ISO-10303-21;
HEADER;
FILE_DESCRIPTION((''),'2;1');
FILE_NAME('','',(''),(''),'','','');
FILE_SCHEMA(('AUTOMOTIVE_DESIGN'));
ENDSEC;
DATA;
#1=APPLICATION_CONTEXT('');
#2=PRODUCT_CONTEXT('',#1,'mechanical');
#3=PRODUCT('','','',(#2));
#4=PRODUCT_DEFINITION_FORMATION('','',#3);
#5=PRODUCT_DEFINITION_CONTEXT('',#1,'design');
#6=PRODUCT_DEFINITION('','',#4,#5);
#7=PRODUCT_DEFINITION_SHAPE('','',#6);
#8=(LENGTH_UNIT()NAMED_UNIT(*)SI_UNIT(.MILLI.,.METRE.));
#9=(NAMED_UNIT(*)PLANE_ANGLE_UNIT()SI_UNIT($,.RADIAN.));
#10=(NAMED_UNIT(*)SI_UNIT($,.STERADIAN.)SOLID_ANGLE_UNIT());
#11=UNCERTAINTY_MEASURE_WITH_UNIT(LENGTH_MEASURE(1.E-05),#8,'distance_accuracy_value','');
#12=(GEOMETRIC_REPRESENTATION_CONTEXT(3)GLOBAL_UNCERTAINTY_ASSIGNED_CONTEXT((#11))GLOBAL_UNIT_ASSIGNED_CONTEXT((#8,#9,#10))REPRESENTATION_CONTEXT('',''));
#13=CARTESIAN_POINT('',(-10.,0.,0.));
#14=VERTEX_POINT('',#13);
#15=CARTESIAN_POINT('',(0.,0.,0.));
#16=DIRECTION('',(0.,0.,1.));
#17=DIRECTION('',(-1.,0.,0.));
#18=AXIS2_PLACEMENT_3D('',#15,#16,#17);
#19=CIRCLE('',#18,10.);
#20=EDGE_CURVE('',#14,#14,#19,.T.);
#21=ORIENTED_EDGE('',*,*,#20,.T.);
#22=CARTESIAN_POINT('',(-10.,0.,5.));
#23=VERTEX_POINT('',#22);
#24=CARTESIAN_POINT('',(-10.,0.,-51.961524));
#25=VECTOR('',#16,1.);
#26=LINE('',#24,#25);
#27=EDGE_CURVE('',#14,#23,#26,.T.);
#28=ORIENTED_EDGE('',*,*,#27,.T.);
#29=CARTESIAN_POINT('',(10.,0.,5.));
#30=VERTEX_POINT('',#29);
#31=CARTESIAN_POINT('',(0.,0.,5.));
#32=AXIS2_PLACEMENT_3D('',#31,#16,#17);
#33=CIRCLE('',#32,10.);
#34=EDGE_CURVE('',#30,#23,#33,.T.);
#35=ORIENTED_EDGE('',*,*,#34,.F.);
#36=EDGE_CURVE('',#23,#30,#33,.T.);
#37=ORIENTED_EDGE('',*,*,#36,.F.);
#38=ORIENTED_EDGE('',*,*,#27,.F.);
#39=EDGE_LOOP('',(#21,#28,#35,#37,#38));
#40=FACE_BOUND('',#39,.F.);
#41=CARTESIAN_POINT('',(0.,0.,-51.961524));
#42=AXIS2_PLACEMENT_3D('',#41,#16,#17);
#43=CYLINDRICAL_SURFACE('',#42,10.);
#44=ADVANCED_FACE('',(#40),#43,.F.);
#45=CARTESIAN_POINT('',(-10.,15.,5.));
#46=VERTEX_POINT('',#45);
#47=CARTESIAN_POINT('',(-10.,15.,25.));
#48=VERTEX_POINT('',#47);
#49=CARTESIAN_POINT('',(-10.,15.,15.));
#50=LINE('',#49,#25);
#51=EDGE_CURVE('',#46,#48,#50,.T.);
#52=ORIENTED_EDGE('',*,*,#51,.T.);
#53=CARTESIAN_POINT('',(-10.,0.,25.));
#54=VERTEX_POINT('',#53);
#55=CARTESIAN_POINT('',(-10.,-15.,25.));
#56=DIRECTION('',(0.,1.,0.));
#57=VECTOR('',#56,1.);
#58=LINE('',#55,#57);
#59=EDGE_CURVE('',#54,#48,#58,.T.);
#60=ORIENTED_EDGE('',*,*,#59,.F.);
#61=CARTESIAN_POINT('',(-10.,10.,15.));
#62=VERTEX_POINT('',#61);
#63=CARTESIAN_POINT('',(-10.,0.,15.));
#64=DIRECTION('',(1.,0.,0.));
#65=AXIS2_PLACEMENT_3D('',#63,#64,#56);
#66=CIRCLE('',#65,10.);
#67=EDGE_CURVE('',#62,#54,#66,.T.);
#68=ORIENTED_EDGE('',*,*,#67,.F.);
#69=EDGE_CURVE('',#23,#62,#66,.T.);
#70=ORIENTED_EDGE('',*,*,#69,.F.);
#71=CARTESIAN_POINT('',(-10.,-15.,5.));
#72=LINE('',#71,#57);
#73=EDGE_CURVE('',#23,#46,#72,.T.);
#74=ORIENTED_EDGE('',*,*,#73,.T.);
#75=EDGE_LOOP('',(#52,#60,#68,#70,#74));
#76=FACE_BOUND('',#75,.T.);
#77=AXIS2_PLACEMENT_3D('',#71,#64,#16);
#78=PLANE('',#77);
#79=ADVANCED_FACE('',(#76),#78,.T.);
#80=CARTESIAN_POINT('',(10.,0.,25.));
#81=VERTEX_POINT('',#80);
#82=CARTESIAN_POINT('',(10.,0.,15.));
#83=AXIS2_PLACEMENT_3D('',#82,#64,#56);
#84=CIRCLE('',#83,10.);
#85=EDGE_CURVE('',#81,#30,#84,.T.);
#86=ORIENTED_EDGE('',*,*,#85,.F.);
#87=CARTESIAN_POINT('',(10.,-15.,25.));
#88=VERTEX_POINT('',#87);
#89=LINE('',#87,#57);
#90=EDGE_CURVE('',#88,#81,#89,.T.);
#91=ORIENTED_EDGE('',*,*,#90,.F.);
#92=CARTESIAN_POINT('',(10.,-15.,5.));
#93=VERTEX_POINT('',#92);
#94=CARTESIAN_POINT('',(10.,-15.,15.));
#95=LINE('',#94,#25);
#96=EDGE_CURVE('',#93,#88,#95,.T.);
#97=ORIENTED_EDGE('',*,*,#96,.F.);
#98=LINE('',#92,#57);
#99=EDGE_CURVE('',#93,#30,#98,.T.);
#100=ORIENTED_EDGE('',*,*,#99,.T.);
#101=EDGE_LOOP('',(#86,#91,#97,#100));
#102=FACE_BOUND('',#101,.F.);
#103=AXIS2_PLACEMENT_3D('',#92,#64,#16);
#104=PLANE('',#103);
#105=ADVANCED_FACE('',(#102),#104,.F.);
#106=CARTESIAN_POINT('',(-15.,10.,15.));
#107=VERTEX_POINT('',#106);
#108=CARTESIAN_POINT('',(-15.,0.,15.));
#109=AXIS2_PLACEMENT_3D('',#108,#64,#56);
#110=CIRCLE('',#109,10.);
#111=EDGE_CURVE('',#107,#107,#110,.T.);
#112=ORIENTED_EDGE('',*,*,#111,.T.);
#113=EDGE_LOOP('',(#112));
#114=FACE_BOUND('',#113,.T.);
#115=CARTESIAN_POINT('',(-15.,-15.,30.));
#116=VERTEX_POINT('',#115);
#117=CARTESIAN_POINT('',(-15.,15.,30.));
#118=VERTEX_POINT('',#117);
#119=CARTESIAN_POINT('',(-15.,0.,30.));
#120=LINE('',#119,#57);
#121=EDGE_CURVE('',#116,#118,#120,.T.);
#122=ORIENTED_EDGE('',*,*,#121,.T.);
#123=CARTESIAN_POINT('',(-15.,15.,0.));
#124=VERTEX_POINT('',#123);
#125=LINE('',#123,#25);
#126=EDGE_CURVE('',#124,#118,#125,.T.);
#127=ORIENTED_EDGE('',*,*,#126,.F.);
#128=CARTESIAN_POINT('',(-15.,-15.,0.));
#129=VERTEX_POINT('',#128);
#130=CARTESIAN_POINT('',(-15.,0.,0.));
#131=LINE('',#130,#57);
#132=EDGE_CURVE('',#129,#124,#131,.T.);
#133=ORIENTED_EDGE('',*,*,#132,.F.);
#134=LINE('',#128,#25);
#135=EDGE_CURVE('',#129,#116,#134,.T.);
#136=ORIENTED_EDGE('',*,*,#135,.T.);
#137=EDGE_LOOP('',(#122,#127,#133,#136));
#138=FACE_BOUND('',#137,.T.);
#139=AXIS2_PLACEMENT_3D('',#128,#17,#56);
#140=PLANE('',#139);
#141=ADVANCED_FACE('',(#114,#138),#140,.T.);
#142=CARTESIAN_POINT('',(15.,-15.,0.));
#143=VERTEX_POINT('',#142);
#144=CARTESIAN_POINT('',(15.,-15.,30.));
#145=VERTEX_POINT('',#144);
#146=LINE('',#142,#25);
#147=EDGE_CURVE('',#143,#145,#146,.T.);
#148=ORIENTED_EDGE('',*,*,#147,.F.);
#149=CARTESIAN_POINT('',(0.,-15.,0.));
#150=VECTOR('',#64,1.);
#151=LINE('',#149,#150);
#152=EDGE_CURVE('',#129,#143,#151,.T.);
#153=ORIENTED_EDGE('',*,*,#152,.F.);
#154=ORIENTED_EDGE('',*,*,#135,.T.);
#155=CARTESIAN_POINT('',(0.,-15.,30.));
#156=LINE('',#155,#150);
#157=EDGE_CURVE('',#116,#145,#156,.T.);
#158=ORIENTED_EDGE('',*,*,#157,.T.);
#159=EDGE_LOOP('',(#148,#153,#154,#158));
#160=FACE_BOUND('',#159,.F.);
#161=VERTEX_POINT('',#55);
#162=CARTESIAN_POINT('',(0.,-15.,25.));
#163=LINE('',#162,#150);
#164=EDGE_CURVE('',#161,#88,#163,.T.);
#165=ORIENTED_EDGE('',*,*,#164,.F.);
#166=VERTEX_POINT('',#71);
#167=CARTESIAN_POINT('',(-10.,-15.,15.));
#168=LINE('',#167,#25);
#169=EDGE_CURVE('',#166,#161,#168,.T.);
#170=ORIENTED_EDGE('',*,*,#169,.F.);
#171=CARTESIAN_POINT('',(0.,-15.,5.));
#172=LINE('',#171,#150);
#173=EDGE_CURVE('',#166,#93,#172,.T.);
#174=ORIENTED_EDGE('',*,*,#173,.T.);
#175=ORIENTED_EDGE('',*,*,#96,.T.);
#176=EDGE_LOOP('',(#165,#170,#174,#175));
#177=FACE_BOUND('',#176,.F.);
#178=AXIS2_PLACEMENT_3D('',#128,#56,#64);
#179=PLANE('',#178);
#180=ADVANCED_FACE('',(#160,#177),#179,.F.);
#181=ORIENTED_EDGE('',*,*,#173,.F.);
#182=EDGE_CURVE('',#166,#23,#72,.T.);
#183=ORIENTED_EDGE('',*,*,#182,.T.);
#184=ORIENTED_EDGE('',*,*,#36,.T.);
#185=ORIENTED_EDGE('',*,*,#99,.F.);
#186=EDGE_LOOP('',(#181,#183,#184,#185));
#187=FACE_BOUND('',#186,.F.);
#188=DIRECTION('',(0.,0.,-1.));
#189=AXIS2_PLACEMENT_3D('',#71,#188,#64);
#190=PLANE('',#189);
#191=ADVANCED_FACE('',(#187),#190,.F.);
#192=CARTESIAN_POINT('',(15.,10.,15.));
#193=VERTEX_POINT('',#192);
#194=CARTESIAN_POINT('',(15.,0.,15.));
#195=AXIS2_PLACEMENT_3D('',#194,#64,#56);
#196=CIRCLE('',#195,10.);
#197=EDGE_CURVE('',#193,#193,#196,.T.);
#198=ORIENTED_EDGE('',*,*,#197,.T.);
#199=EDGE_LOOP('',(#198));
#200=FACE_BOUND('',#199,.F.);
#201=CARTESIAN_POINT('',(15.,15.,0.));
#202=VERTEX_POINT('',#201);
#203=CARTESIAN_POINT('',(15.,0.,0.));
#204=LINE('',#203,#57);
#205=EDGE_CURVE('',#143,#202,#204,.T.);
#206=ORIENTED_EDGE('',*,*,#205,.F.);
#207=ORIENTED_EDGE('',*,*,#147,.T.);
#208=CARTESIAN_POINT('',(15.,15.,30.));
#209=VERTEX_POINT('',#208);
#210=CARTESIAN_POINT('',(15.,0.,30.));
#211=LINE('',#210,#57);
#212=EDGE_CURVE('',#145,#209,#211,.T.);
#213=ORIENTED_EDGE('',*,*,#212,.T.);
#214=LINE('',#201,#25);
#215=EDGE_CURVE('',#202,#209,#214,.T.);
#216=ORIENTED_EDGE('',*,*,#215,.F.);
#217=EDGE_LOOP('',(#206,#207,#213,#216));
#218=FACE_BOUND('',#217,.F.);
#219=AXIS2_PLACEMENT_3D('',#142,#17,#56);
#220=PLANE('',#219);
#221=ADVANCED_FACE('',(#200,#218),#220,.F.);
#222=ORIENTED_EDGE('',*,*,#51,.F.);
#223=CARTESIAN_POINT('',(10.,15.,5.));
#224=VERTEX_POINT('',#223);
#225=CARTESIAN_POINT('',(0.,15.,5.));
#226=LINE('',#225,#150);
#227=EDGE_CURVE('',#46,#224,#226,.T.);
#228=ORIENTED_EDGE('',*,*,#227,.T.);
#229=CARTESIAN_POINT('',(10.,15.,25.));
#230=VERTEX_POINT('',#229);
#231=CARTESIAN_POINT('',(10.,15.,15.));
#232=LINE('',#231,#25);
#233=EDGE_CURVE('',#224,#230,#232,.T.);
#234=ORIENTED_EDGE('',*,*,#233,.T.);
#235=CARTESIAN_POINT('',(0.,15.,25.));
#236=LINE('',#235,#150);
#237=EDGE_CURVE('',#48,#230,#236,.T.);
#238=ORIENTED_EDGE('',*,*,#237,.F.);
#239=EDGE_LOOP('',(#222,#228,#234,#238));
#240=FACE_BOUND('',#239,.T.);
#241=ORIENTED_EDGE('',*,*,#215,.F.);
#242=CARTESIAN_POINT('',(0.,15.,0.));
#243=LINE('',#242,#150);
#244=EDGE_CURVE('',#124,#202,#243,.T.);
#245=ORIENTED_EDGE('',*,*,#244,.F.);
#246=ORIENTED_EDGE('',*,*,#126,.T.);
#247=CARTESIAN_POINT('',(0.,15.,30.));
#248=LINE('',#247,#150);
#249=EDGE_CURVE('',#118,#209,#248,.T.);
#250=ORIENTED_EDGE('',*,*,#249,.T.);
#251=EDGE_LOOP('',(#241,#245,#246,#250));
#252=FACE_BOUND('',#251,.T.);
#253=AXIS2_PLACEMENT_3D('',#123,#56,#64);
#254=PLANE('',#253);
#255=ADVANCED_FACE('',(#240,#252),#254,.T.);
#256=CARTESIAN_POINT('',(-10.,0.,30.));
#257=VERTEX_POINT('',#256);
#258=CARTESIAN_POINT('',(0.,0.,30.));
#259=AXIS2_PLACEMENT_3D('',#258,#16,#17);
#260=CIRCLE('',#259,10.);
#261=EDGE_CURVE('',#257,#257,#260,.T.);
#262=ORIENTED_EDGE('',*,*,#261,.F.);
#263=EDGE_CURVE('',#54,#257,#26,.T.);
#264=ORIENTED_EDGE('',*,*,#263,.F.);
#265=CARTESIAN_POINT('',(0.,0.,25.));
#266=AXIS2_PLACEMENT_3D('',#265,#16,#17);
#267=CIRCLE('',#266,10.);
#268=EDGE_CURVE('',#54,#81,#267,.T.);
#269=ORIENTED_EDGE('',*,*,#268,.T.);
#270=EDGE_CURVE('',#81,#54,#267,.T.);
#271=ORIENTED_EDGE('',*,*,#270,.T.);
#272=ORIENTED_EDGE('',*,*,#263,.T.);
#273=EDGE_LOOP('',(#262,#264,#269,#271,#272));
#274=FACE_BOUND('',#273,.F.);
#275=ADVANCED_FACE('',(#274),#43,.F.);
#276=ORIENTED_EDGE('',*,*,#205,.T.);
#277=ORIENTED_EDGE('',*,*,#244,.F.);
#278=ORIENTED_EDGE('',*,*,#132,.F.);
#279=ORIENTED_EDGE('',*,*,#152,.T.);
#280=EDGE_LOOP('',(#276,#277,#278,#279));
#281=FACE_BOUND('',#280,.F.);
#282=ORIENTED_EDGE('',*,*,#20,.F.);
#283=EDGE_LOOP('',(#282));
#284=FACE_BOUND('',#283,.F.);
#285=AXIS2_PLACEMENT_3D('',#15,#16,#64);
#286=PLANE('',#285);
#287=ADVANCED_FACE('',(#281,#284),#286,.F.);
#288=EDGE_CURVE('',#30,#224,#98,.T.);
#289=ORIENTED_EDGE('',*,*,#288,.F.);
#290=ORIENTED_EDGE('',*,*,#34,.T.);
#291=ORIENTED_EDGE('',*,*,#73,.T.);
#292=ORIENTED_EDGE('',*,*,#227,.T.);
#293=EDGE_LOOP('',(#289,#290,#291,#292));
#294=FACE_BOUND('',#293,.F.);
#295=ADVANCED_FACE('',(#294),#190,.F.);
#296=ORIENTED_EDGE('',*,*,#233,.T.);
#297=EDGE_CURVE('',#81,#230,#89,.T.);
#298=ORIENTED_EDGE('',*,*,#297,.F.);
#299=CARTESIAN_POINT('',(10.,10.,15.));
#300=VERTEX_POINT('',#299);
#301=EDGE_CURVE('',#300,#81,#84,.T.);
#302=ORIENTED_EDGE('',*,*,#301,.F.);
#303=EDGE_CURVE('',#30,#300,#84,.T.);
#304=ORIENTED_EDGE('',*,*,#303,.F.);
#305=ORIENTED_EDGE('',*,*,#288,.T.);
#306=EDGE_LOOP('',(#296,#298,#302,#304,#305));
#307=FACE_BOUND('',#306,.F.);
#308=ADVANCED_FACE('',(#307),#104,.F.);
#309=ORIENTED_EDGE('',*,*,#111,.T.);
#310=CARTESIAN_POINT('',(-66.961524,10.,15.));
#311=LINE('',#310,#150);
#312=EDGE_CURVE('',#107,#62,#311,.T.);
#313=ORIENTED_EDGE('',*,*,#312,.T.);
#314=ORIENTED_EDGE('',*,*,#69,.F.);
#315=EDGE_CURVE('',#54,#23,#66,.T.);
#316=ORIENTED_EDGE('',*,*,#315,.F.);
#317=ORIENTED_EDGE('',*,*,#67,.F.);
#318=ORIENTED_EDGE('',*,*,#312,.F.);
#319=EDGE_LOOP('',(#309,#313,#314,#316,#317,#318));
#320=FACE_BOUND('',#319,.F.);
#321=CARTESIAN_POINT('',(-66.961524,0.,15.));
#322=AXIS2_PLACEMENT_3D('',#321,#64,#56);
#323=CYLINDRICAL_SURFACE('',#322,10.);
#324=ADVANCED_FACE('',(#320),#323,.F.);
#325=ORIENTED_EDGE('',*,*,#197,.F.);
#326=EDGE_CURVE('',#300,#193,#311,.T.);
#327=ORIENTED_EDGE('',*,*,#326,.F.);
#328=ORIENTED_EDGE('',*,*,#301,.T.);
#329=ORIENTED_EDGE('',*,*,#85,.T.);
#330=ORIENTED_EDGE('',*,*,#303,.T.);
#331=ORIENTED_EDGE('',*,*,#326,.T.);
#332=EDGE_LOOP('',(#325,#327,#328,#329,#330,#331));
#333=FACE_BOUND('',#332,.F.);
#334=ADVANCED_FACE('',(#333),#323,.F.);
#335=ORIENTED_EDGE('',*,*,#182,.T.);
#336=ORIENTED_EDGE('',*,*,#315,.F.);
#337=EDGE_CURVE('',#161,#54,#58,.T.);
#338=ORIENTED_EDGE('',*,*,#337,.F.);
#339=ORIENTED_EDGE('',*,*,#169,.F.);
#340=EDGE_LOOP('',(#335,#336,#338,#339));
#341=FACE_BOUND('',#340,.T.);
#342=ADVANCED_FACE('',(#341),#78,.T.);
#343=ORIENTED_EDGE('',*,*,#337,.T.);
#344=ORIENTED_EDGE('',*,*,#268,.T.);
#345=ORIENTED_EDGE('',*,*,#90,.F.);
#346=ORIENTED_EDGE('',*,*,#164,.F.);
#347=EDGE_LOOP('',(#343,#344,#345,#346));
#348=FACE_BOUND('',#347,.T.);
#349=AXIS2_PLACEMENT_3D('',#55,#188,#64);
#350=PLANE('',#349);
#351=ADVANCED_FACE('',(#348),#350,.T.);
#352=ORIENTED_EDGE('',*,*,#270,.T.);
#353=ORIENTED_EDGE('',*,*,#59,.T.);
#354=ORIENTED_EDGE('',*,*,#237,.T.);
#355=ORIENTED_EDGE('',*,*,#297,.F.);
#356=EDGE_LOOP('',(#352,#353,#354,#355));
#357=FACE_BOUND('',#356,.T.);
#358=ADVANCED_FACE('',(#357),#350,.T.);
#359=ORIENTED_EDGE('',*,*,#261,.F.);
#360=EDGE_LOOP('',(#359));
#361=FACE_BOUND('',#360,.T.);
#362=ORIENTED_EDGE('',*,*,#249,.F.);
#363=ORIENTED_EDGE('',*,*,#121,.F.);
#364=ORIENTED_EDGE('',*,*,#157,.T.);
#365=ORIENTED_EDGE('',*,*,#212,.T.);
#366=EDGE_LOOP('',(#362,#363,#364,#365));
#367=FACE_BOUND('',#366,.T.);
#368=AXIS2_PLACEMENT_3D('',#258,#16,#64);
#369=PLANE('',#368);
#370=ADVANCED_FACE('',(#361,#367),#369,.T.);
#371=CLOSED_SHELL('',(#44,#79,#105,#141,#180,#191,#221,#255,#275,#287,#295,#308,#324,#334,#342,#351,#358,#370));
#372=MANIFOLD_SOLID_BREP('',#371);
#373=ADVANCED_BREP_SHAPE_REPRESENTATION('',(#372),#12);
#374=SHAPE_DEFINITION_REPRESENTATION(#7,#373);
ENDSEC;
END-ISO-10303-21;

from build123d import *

# Parameters (mm, degrees)
F0_W     = 30
F0_H     = 30
F1_DEPTH = 30
F3_D     = 20
F5_D     = 20
F6_W     = 20
F6_H     = 20
F7_DEPTH = 30


with BuildPart() as f1:
    # F0 (on Top) → F1 (new body)
    with BuildSketch(Plane.XY):
        Rectangle(F0_W, F0_H)
    extrude(amount=F1_DEPTH)

    # F3 (through all)
    with Locations(Plane(origin=(0, 0, 0), x_dir=(1, 0, 0), z_dir=(0, 0, -1))):
        with Locations((0, 0)):
            Hole(F3_D / 2)

    # F5 (through all)
    with Locations(Plane(origin=(-15, 0, 0), x_dir=(0, -1, 0), z_dir=(-1, 0, 0))):
        with Locations((0, 15)):
            Hole(F5_D / 2)

    # F6 (on face) → F7 (cut)
    with BuildSketch(Plane.XZ.offset(15)):
        with Locations((0, 15)):
            Rectangle(F6_W, F6_H)
    extrude(amount=-F7_DEPTH, mode=Mode.SUBTRACT)


solid = f1.part
